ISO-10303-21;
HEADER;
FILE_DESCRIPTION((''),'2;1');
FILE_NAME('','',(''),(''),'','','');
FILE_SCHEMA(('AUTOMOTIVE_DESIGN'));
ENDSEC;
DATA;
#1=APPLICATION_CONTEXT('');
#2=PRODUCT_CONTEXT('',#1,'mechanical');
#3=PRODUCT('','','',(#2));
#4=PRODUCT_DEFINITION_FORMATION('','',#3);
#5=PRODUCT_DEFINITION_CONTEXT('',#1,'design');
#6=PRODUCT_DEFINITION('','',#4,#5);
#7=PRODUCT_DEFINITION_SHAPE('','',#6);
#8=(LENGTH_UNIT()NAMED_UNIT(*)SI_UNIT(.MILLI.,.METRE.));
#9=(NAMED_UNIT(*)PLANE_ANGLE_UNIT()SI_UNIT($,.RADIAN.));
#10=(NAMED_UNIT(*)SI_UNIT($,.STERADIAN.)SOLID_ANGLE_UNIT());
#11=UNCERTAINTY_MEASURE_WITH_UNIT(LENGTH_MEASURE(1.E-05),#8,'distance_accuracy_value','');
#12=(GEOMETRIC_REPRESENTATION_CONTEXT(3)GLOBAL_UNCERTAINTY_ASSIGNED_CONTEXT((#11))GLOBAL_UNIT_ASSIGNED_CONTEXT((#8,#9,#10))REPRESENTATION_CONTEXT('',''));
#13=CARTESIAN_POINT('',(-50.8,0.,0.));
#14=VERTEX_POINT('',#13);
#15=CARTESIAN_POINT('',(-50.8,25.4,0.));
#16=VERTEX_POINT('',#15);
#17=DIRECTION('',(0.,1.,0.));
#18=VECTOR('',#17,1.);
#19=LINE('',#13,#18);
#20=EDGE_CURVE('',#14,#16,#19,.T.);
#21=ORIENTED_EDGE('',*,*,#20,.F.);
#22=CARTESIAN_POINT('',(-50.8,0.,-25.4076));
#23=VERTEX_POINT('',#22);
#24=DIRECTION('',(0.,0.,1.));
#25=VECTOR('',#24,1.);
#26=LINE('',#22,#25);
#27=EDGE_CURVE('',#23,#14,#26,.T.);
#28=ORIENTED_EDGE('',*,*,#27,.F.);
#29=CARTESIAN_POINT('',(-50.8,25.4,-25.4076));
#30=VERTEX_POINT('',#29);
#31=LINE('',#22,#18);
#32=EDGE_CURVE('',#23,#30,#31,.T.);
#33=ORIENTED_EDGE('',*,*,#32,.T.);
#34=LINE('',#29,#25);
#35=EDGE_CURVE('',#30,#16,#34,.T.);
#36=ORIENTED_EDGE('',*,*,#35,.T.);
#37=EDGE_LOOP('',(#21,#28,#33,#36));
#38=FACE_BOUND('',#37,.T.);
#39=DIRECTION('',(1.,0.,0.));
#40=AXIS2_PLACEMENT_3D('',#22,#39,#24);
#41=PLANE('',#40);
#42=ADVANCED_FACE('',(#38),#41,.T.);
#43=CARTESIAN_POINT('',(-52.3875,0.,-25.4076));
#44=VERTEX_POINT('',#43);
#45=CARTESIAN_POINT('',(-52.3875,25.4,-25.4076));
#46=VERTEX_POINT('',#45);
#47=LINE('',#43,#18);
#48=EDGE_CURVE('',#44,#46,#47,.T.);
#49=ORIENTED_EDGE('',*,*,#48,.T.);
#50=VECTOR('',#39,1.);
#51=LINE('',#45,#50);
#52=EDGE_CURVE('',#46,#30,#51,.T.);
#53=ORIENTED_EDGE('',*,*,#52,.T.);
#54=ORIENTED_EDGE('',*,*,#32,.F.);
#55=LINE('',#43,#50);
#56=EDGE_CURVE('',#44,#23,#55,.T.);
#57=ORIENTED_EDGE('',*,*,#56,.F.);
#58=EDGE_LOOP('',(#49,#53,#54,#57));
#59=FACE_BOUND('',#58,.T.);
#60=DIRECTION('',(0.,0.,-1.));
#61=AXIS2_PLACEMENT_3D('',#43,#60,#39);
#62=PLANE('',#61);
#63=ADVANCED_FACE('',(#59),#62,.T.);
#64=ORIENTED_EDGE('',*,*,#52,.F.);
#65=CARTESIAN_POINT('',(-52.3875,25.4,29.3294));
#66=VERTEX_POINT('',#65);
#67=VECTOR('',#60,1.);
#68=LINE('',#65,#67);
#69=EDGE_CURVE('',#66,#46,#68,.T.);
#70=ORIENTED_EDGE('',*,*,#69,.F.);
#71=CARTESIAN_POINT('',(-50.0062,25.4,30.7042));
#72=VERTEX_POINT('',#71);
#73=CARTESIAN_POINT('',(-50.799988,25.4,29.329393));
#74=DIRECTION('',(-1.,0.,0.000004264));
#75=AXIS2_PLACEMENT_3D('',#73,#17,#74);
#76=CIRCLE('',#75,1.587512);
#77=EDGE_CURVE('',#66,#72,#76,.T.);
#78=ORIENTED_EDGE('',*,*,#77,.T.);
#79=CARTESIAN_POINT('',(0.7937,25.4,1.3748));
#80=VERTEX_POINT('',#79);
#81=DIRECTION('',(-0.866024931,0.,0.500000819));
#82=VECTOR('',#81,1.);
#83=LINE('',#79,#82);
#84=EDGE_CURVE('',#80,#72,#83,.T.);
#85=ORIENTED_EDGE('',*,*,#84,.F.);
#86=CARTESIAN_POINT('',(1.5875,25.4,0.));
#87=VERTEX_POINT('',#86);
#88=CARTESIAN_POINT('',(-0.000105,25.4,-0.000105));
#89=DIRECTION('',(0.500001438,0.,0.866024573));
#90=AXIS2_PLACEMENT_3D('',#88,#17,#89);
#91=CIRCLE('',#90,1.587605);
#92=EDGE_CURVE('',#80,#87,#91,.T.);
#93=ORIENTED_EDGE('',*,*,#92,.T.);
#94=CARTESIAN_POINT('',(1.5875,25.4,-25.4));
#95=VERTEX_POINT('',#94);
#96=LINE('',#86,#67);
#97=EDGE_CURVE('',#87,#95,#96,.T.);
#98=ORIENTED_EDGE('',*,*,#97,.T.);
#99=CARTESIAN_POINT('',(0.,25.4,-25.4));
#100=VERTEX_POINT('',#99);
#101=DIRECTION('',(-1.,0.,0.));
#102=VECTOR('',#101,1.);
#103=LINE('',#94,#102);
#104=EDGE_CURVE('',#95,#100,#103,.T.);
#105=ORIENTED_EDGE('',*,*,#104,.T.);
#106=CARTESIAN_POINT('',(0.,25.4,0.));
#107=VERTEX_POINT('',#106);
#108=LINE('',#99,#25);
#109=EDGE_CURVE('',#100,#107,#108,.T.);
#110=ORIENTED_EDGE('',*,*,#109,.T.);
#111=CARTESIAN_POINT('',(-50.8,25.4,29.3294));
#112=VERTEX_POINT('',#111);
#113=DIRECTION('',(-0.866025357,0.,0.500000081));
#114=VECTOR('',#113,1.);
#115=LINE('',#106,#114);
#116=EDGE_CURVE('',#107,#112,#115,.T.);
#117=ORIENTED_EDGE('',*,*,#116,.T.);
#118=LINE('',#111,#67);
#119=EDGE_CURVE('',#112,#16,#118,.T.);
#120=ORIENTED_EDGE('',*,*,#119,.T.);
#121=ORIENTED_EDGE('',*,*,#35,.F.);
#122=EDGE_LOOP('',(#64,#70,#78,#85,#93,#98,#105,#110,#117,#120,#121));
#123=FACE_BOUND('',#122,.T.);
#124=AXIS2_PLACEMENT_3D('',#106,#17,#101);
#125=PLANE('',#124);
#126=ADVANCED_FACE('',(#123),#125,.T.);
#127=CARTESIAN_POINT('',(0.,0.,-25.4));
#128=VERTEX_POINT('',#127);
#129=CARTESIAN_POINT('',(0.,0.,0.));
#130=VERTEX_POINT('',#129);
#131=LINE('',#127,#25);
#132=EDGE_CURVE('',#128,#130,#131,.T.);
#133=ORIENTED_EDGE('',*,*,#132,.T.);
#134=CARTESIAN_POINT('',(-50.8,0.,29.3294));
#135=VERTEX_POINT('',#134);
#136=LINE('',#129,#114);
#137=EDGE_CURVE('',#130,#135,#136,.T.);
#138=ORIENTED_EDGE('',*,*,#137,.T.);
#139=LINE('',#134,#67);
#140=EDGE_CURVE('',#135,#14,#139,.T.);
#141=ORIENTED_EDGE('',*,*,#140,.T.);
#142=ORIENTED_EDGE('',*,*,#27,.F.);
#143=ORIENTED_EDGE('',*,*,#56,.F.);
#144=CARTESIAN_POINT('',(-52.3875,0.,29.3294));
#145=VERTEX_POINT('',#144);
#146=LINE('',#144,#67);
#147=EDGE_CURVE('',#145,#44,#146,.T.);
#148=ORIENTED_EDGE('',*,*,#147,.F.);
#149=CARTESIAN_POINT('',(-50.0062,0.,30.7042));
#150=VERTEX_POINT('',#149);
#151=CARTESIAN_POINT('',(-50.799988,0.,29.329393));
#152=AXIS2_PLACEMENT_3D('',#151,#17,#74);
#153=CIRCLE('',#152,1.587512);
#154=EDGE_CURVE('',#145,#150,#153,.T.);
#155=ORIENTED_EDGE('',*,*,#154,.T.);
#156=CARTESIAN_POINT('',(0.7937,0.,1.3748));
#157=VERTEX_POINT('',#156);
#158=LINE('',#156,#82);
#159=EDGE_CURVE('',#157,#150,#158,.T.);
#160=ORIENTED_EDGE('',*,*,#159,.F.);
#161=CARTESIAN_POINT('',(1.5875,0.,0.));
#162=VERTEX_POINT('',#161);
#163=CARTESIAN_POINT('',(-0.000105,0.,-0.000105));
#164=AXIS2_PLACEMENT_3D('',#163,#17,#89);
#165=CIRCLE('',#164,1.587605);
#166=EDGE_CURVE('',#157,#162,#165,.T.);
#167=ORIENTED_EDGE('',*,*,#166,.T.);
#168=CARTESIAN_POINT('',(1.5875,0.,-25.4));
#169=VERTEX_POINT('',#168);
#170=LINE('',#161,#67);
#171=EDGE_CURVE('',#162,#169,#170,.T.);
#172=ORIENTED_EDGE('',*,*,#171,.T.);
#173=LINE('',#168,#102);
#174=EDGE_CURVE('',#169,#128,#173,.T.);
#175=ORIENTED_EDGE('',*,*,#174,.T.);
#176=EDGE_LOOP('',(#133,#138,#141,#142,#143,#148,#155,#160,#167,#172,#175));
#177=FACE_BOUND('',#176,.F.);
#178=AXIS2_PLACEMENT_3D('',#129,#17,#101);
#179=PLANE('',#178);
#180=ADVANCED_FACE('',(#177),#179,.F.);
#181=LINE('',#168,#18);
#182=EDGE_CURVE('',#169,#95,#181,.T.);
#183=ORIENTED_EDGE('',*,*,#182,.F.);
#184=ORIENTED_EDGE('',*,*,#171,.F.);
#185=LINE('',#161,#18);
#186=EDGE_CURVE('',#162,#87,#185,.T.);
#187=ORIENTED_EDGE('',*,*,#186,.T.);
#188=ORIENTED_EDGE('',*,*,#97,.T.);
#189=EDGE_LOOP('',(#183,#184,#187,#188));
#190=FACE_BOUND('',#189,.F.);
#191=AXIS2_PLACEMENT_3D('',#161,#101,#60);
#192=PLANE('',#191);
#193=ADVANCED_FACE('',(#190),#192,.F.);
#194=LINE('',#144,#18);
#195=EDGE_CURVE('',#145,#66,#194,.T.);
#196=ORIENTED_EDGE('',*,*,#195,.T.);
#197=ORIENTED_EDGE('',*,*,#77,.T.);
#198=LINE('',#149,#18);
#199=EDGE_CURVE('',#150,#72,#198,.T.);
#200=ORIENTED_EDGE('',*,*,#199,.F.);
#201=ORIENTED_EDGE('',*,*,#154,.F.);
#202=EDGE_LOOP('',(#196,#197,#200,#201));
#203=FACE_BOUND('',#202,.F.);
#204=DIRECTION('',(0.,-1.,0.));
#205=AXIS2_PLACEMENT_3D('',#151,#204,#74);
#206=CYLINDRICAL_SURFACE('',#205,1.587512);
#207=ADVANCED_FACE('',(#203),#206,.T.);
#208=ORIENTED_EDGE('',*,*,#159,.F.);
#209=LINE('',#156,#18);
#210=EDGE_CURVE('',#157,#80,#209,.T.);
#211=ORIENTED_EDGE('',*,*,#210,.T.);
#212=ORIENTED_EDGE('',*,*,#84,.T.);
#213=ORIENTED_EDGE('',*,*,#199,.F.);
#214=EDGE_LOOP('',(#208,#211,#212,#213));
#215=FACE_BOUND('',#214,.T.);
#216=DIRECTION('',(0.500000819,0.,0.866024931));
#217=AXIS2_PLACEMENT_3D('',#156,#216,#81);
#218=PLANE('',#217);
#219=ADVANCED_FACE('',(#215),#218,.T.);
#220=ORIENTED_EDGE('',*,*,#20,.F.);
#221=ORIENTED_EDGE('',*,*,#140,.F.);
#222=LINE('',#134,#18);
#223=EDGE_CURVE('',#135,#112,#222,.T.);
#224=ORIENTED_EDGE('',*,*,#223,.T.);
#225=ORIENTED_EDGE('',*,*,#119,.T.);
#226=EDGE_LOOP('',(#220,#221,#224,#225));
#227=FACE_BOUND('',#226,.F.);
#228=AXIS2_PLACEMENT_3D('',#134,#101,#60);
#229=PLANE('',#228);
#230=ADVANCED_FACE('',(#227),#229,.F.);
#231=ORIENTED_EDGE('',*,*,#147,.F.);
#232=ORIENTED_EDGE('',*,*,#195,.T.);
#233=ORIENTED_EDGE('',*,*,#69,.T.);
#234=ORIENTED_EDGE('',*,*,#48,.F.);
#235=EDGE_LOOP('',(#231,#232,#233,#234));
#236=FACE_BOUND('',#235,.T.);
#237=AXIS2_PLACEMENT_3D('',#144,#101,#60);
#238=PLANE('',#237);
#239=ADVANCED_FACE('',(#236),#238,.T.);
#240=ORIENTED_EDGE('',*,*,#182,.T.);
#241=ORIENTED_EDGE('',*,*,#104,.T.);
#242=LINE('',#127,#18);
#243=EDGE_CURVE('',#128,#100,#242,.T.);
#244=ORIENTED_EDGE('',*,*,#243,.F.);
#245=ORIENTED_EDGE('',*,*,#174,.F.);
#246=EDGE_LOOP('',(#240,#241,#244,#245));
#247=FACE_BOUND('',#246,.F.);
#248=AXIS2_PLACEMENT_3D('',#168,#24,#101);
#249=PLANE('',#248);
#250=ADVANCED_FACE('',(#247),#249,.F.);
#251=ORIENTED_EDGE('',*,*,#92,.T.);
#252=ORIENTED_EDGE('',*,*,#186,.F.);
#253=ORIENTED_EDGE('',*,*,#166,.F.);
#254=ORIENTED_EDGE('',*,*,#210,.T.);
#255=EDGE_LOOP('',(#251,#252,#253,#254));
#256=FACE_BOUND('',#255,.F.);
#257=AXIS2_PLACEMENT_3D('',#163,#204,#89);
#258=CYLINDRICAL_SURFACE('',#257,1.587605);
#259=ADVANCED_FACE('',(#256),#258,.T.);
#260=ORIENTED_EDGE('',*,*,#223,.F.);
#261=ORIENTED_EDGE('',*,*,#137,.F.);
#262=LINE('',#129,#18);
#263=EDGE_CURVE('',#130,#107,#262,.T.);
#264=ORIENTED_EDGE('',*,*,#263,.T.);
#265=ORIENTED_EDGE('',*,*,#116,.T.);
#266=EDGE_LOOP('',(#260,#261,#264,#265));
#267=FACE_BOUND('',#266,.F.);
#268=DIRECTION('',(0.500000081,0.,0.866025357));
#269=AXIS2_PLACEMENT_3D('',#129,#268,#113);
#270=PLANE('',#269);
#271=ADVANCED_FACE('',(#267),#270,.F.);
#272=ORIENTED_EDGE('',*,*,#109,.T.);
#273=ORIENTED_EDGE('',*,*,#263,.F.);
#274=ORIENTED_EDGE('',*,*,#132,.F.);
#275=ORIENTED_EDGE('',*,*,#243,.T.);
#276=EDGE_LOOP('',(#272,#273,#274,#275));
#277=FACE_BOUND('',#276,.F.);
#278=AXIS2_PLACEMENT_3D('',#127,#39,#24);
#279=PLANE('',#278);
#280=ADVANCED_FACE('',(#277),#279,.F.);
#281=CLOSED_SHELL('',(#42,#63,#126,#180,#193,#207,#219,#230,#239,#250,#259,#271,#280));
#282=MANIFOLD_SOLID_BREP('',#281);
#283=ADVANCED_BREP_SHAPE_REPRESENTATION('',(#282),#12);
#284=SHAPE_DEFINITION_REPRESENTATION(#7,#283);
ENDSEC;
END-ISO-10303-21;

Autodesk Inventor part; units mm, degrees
ref_plane "YZ Plane" through (0, 0, 0) normal (1, 0, 0) x (0, 1, 0)
ref_plane "XZ Plane" through (0, 0, 0) normal (0, 1, 0) x (-1, 0, 0)
ref_plane "XY Plane" through (0, 0, 0) normal (0, 0, 1) x (1, 0, 0)
sketch "Sketch1" plane through (0, 0, 0) normal (0, 1, 0) x (-1, 0, 0)
  line L0 (-1.5875, 0) -> (-1.5875, -25.4)
  line L1 (-1.5875, -25.4) -> (0, -25.4)
  line L2 (0, -25.4) -> (0, 0)
  line L3 (0, 0) -> (50.8, 29.3294)
  line L4 (50.8, 29.3294) -> (50.8, 0)
  line L5 (52.3875, 29.3294) -> (52.3875, -25.4076)
  line L6 (52.3875, -25.4076) -> (50.8, -25.4076)
  line L7 (50.8, -25.4076) -> (50.8, 29.3294)
  line L8 (-0.7937, 1.3748) -> (50.0062, 30.7042)
  arc A0 (52.3875, 29.3294) -> (50.0062, 30.7042) centre (50.8, 29.3294) ccw
  arc A1 (-0.7937, 1.3748) -> (-1.5875, 0) centre (0, 0) ccw
  dimension "d0" = 1.5875
  dimension "d1" = 25.4
  dimension "d5" = 1.5875
  dimension "d6" = 54.737
  dimension "d7" = 1.5875
  dimension "d8" = 1.5875
extrude "Extrusion1" add sketch "Sketch1" along normal blind 25.4
